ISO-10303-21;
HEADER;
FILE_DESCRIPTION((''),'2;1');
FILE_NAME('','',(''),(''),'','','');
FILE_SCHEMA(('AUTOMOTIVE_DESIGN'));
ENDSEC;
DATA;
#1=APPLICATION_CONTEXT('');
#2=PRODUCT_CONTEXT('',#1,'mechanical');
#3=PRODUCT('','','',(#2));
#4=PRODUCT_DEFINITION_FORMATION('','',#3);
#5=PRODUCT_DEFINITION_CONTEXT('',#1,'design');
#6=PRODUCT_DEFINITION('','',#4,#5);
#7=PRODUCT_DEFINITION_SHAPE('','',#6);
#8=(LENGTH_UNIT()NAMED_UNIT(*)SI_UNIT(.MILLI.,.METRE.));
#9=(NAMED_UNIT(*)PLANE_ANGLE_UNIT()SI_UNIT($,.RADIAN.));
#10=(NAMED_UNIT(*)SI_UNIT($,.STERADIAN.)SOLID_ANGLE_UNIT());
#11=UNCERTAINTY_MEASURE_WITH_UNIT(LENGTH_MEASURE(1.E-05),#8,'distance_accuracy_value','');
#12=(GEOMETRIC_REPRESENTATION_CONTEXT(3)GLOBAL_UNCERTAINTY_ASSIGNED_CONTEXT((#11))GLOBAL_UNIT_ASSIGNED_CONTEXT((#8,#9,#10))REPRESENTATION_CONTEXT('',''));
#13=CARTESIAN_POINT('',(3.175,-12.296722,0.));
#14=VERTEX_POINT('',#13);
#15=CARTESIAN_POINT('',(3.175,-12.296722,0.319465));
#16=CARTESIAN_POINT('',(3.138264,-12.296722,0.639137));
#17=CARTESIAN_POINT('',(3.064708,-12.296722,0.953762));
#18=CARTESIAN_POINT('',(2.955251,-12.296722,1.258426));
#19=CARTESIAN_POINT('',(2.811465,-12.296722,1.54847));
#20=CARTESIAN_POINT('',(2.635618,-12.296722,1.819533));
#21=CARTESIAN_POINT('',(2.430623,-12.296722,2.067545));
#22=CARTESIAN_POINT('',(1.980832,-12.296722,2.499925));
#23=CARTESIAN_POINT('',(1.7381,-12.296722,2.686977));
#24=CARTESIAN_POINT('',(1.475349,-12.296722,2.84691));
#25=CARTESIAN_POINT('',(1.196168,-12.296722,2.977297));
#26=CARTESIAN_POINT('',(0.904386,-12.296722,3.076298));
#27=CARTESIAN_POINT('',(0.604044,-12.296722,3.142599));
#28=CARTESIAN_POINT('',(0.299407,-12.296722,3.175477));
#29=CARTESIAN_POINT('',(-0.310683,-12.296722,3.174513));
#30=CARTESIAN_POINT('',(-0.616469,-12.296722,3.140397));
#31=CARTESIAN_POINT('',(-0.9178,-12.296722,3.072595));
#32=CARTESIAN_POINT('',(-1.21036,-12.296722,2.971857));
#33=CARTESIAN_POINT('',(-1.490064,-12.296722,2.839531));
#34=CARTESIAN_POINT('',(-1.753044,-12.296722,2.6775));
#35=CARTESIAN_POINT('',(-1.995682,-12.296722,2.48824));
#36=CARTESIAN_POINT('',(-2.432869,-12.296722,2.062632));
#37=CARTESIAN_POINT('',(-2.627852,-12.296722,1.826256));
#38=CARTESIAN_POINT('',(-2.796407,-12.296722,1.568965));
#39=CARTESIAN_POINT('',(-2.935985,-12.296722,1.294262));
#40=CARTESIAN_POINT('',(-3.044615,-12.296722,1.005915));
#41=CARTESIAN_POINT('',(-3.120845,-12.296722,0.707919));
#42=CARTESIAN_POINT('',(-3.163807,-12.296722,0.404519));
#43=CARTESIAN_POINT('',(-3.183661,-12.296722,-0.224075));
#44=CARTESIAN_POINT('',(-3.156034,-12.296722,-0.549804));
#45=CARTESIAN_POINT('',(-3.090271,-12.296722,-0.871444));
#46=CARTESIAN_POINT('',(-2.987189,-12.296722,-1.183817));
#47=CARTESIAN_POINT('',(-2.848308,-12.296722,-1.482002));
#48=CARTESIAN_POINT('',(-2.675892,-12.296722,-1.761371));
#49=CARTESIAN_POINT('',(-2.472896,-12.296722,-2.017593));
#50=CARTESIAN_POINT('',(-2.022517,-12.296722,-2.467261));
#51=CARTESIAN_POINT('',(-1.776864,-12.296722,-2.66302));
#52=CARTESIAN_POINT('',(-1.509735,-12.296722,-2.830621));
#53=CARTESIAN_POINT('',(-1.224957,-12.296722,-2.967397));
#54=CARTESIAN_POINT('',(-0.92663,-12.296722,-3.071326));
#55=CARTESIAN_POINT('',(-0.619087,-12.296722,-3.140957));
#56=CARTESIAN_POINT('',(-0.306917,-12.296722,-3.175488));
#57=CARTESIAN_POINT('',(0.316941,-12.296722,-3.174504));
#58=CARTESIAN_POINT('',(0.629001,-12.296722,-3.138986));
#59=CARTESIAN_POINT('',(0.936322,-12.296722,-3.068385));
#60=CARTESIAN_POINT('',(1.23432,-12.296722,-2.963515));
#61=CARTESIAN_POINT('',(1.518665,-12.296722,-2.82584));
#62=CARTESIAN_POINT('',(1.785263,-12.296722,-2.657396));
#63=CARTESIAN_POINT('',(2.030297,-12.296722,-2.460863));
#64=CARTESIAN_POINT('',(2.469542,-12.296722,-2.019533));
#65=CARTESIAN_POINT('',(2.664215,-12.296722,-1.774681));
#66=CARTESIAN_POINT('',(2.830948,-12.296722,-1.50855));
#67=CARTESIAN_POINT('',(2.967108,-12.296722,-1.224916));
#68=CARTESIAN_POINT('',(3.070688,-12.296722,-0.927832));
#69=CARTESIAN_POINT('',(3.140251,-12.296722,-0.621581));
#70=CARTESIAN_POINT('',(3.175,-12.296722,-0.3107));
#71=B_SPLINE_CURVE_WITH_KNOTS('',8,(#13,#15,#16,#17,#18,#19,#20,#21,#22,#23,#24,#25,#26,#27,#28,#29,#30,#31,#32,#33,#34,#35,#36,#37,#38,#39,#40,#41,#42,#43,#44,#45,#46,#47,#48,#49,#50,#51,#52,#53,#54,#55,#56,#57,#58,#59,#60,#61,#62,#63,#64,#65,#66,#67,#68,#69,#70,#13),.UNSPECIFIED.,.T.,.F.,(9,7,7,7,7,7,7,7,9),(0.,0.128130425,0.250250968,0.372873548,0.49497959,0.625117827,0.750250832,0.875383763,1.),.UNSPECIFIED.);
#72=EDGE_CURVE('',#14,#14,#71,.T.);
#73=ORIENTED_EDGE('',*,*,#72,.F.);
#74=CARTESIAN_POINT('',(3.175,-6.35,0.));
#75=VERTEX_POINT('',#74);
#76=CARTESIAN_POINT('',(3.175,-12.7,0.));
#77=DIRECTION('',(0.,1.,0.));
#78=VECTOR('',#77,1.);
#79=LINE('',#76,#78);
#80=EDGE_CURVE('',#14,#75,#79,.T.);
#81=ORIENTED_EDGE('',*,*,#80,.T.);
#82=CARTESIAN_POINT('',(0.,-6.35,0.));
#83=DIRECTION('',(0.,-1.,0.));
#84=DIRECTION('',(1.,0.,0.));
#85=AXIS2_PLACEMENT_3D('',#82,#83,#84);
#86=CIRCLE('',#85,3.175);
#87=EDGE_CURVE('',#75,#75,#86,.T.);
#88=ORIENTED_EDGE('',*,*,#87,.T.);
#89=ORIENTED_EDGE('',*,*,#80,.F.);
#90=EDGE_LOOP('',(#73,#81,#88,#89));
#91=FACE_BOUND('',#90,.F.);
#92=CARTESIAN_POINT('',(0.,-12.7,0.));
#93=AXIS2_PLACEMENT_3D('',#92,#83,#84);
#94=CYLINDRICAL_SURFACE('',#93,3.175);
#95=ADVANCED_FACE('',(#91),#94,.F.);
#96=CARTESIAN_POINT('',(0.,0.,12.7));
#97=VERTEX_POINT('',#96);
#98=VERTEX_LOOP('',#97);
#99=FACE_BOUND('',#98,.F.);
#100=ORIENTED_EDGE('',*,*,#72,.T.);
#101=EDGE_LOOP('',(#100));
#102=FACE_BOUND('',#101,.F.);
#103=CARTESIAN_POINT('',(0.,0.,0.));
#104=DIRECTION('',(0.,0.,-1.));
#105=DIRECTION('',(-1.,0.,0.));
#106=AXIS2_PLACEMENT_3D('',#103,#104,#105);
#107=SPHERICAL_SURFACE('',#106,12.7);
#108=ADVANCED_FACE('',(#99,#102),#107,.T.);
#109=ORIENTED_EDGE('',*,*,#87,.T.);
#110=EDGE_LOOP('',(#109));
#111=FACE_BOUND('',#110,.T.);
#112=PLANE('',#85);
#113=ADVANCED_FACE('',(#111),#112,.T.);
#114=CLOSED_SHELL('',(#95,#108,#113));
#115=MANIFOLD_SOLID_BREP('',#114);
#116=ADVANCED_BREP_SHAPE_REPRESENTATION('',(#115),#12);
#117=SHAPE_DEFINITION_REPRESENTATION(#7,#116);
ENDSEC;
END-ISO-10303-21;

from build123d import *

# Parameters (mm, degrees)
F4_R     = 3.175
F5_DEPTH = 6.35
F7_R     = 3.175
F8_DEPTH = 9.525


with BuildPart() as f2:
    # F0 (on Front) → F2 (revolve)
    with BuildSketch(Plane.XZ):
        with BuildLine():
            Line((0, -12.7), (0, 12.7))
            ThreePointArc((0, 12.7), (-12.7, 0), (0, -12.7))
        make_face()
    revolve(axis=Axis((0, 0, 0), (0, 0, 1)))

    # F4 (on offset) → F5 (cut)
    with BuildSketch(Plane.XZ.offset(12.7)):
        Circle(F4_R)
    extrude(amount=-F5_DEPTH, mode=Mode.SUBTRACT)


with BuildPart() as f8:
    # F7 (on offset) → F8 (new body)
    with BuildSketch(Plane.XZ.offset(-12.7)):
        Circle(F7_R)
    extrude(amount=F8_DEPTH)


solid = f2.part
